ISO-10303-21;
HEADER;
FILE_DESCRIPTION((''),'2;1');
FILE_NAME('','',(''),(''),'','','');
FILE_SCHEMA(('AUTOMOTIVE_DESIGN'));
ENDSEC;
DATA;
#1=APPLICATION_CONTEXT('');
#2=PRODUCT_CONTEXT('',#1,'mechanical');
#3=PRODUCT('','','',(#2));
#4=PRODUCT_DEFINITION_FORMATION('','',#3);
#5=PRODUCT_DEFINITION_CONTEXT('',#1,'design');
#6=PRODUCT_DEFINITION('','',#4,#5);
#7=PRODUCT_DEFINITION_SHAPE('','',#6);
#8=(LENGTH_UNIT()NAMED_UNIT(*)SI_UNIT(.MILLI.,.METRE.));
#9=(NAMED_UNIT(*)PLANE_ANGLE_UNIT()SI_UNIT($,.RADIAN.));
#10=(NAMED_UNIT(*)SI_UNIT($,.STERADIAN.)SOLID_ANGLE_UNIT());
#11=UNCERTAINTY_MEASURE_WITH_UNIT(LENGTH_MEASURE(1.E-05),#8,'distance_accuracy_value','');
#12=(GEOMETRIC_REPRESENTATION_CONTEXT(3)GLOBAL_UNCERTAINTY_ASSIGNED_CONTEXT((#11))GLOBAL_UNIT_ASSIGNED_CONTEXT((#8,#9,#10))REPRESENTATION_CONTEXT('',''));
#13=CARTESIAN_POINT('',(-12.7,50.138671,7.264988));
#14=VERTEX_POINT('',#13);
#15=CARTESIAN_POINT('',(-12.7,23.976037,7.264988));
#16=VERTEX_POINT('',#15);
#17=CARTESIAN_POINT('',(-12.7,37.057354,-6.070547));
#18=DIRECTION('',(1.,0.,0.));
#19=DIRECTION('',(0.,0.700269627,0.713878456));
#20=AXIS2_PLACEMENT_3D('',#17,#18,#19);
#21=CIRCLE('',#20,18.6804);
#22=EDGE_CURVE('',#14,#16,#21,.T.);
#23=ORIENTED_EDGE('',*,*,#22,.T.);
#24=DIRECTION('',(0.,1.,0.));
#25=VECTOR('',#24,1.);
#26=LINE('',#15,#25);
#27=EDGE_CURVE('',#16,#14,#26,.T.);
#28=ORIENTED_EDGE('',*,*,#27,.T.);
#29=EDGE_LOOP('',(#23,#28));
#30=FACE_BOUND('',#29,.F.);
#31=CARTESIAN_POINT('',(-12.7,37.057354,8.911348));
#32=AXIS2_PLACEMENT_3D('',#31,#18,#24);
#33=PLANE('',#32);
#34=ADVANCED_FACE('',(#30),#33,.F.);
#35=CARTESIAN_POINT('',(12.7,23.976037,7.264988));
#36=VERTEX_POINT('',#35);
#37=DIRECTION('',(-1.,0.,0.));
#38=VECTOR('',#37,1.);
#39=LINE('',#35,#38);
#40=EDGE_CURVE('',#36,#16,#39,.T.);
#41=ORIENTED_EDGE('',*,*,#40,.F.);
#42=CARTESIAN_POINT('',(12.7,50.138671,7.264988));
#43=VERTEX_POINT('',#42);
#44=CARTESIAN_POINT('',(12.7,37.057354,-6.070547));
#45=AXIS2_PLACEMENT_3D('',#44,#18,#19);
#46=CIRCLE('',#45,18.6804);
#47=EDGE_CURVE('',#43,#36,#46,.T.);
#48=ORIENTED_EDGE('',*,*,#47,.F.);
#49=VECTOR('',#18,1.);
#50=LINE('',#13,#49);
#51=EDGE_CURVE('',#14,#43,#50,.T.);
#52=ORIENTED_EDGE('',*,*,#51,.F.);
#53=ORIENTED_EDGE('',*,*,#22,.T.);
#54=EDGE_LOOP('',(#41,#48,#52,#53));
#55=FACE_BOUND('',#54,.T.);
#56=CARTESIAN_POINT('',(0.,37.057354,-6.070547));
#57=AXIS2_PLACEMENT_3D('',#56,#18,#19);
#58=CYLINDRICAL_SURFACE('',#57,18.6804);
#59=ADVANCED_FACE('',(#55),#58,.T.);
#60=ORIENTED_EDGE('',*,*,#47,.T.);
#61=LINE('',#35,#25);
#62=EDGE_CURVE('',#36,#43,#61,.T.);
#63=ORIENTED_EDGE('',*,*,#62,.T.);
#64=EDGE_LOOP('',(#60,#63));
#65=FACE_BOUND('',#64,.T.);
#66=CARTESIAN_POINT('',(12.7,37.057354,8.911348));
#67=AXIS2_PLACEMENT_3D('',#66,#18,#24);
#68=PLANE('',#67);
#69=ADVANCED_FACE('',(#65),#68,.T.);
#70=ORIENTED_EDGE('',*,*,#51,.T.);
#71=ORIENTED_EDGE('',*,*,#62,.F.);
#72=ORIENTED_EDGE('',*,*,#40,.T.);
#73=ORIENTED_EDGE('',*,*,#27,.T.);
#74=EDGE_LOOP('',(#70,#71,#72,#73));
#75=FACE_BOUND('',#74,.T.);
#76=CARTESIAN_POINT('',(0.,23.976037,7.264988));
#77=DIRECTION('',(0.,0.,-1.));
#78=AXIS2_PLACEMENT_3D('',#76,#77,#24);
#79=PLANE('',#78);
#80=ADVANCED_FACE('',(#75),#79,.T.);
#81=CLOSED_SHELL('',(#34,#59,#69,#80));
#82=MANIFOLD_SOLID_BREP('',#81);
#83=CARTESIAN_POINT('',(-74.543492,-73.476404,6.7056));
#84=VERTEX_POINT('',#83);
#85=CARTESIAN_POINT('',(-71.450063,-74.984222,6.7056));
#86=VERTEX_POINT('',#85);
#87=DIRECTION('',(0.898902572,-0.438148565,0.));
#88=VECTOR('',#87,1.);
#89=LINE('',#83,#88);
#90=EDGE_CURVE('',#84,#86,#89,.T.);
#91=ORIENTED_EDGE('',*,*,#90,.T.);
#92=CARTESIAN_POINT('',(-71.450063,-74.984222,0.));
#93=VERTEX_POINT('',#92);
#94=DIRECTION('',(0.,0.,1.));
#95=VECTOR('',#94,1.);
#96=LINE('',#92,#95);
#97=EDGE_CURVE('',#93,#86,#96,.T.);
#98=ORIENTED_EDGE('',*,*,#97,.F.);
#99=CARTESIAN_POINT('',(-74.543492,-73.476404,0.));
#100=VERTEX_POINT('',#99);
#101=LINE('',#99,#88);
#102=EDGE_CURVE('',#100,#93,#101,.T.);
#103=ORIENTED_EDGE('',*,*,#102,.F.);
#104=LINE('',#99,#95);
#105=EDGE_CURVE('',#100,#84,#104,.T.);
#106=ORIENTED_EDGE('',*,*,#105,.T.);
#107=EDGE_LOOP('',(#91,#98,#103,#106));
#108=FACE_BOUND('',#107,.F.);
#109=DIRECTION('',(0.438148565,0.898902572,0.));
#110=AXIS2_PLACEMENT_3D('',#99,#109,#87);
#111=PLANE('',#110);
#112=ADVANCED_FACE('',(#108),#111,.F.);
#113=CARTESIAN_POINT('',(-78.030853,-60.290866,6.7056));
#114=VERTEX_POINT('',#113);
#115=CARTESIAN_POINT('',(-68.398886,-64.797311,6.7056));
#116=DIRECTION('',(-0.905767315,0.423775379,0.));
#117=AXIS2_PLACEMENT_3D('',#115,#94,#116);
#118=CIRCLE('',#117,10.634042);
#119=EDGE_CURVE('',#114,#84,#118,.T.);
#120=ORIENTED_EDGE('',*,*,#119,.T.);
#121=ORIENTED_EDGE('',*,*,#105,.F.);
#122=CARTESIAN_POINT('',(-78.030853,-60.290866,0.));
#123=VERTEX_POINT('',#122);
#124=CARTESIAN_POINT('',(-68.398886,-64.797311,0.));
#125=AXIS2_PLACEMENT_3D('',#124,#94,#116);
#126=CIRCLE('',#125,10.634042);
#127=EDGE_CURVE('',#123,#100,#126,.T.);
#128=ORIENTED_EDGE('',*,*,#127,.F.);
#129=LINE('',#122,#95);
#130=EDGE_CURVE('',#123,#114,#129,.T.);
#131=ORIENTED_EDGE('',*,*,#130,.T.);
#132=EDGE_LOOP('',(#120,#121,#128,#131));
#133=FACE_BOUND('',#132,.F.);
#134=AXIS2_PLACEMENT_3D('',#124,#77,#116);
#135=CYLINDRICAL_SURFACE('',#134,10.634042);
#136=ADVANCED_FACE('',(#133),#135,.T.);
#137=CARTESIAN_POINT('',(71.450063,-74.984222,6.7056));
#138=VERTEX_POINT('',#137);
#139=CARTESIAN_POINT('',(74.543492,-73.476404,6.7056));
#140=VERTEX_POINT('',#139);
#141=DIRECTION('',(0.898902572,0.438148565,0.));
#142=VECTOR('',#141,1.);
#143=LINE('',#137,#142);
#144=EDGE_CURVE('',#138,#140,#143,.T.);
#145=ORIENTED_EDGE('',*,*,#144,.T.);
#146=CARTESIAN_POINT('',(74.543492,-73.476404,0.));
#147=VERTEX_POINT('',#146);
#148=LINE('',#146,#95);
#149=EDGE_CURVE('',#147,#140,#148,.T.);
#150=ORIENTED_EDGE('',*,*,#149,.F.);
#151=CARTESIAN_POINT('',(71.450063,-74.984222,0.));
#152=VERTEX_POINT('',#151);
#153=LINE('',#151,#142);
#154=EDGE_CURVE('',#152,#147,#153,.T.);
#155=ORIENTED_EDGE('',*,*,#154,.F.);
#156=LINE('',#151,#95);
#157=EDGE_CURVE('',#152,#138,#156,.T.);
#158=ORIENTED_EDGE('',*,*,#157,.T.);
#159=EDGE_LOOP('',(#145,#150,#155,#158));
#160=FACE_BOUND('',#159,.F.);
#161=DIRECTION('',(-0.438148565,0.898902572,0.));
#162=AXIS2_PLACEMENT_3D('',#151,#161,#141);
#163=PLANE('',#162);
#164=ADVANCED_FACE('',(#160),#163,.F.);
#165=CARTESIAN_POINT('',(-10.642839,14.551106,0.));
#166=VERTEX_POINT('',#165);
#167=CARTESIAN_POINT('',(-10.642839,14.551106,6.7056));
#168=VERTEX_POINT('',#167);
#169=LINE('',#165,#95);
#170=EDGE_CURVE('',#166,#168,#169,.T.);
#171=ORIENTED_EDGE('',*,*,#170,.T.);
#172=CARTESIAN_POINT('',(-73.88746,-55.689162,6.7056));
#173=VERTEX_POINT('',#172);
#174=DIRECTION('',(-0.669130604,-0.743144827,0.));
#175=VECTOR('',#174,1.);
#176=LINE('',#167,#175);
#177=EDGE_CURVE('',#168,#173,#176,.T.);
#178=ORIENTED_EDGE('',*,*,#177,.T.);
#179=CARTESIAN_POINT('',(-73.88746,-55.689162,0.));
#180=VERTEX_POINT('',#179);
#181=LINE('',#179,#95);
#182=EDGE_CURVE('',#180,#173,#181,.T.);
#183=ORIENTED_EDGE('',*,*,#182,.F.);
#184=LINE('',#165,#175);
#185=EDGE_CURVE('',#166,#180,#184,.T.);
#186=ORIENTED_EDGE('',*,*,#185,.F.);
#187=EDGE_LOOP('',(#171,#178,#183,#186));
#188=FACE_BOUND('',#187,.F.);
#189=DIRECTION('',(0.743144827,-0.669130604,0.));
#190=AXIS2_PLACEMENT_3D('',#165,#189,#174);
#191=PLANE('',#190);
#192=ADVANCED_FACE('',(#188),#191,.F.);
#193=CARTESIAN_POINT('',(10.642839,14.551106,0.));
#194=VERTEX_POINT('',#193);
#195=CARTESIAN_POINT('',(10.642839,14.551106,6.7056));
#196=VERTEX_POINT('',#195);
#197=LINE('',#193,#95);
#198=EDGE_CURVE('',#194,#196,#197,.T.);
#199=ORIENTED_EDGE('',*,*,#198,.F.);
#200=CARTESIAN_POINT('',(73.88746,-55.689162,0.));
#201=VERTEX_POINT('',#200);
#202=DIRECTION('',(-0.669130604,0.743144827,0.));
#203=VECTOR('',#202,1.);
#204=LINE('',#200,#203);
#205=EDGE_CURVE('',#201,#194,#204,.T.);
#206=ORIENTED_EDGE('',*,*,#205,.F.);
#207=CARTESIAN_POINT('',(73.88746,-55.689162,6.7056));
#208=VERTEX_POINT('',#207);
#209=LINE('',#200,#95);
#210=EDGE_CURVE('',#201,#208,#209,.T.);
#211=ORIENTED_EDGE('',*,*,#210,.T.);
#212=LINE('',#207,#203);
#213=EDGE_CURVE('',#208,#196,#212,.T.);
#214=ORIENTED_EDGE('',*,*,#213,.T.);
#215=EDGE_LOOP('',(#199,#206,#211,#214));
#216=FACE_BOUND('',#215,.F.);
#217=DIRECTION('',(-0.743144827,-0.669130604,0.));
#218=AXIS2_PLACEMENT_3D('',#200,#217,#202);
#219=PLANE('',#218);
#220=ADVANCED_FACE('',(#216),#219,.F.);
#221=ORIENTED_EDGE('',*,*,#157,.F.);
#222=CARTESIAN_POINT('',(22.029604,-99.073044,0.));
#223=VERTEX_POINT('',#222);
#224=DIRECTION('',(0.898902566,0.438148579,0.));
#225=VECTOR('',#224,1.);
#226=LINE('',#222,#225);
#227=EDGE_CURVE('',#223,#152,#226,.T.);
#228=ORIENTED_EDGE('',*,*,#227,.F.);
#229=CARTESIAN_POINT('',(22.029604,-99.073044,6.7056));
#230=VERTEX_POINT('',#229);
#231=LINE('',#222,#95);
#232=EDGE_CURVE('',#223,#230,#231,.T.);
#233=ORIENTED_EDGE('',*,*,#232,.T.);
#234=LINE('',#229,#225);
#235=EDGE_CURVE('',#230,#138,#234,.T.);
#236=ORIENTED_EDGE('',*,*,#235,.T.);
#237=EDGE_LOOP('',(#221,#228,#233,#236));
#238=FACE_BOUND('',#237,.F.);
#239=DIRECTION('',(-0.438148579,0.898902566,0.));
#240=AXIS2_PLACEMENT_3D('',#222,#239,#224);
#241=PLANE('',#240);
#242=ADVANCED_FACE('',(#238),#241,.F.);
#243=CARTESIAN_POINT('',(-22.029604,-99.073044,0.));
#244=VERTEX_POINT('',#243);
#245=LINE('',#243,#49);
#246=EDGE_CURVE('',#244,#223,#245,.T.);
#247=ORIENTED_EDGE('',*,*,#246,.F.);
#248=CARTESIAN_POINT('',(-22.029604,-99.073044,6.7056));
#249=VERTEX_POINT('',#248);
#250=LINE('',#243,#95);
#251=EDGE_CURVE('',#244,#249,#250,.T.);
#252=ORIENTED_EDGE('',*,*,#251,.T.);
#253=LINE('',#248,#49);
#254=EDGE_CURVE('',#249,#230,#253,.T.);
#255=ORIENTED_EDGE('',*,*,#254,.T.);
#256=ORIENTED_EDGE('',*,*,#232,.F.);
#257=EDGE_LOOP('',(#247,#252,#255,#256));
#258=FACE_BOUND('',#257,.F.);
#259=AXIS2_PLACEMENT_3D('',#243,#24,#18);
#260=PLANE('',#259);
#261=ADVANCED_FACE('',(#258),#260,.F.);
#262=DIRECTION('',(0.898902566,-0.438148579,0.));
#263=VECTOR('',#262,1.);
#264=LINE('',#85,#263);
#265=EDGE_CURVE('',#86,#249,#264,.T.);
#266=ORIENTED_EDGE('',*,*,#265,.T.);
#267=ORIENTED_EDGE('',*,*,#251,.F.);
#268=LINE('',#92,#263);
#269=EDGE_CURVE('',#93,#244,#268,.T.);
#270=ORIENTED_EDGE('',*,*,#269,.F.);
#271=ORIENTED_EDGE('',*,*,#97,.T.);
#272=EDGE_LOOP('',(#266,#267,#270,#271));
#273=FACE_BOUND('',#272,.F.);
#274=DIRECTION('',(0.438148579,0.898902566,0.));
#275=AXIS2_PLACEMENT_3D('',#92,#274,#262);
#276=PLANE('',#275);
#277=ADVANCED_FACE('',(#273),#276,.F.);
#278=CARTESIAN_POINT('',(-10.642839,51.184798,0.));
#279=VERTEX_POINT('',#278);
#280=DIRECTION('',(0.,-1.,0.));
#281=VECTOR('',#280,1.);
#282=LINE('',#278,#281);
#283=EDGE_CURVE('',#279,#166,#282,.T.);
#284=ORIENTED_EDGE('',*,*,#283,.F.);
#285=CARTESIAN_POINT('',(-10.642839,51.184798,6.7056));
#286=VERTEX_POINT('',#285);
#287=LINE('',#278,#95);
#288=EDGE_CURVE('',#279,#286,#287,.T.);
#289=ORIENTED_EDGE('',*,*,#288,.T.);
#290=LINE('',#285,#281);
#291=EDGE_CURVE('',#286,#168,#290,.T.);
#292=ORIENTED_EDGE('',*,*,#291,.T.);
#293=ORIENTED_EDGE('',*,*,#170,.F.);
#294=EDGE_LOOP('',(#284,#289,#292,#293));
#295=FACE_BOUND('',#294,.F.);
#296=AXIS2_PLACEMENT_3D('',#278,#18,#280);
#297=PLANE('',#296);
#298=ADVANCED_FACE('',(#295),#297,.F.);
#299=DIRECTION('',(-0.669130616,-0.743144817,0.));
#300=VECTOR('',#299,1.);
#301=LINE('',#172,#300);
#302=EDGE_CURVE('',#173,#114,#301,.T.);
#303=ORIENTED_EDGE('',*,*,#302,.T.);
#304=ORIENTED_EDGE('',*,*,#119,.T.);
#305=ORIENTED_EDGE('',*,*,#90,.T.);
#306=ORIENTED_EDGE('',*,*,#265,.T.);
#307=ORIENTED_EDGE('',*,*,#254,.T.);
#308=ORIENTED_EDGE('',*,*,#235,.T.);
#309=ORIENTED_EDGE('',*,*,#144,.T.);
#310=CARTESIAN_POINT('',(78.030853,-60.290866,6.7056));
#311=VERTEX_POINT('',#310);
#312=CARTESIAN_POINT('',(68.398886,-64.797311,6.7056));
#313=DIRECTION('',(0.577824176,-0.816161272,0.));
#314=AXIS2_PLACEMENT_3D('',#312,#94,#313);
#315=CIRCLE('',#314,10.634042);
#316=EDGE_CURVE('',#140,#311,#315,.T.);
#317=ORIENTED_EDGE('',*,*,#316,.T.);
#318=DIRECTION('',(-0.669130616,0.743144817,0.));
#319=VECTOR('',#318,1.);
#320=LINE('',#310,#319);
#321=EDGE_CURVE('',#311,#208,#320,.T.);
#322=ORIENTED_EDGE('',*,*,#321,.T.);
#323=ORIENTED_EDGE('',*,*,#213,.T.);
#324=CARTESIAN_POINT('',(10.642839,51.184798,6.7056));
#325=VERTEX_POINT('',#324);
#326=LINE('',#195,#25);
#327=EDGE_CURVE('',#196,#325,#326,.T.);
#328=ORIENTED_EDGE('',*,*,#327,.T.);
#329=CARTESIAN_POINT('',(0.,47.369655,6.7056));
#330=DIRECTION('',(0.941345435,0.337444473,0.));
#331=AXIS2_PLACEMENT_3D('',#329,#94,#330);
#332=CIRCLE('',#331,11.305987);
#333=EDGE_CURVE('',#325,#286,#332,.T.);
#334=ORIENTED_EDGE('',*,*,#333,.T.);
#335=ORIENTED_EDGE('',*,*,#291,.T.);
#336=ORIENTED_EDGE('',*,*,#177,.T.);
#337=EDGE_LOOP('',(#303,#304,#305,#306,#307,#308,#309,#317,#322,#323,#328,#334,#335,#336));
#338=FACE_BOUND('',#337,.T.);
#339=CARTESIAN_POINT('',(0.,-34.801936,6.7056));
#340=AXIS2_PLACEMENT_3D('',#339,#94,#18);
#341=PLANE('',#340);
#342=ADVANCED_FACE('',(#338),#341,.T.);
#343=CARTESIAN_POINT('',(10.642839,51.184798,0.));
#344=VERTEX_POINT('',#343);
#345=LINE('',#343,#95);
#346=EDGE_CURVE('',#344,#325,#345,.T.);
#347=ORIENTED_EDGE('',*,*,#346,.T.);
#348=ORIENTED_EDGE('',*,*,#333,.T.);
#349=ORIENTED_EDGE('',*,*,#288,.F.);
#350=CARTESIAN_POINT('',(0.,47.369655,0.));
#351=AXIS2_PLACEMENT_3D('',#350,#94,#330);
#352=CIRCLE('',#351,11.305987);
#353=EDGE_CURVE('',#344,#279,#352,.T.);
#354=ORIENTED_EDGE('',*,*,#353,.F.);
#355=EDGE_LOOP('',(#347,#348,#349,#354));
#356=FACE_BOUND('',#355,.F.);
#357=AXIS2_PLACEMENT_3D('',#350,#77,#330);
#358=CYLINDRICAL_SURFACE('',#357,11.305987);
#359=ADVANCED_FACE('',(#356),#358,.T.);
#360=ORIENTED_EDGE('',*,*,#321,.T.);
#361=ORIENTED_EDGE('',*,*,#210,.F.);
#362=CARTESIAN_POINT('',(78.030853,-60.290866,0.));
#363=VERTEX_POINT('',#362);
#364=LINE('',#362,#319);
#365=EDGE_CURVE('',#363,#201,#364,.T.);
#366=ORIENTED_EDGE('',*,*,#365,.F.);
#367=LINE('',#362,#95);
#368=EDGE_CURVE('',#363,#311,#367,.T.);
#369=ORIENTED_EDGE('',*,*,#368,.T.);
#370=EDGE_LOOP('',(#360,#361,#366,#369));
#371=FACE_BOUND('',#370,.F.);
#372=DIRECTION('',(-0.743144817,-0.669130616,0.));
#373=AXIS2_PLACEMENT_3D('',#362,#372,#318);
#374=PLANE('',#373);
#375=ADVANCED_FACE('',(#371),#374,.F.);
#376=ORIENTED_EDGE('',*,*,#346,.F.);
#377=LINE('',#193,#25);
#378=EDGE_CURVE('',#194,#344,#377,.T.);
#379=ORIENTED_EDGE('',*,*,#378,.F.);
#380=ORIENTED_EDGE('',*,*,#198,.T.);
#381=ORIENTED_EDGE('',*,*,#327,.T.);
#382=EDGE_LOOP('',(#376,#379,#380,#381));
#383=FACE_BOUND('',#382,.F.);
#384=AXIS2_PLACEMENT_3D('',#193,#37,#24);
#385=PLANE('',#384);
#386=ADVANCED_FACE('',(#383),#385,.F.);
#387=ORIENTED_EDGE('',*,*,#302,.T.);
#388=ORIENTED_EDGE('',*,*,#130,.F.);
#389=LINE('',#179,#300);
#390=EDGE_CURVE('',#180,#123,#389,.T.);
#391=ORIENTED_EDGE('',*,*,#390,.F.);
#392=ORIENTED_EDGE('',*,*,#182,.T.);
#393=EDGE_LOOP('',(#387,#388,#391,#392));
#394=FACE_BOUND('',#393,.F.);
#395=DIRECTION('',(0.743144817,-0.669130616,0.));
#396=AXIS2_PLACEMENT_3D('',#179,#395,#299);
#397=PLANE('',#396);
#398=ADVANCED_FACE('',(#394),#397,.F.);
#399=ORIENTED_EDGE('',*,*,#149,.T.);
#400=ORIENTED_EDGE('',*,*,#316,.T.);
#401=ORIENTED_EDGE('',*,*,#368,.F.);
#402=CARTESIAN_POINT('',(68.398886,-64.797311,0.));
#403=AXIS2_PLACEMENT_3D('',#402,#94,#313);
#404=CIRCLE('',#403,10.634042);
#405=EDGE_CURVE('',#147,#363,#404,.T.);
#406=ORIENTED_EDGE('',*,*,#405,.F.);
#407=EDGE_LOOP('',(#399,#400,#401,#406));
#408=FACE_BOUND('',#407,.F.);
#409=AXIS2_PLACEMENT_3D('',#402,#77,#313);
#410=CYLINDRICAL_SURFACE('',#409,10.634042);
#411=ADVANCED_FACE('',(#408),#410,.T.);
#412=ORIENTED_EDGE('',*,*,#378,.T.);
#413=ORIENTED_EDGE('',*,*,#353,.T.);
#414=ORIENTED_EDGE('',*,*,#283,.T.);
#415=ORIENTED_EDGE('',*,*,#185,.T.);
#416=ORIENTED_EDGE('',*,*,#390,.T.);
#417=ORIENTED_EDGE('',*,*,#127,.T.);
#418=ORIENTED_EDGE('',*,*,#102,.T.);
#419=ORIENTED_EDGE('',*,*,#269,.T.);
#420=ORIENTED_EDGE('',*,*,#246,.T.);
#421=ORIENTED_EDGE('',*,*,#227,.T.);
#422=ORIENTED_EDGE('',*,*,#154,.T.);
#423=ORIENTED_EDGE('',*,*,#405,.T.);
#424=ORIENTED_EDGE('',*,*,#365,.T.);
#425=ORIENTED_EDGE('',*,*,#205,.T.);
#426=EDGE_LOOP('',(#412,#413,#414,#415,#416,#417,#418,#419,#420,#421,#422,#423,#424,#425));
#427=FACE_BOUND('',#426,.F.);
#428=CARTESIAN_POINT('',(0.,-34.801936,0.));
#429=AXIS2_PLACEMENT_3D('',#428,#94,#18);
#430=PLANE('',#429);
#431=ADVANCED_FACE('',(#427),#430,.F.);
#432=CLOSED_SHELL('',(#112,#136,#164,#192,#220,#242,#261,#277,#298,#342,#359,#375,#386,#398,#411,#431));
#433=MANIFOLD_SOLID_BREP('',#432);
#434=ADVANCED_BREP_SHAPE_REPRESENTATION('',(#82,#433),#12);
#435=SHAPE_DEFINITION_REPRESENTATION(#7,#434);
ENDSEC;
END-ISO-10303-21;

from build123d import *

# Parameters (mm, degrees)
F1_DEPTH = 6.7056
F3_DEPTH = 12.7


with BuildPart() as f1:
    # F0 (on Top) → F1 (new body)
    with BuildSketch(Plane.XY):
        with BuildLine():
            ThreePointArc((10.642839, 51.184798), (0, 58.675642), (-10.642839, 51.184798))
            Line((-10.642839, 51.184798), (-10.642839, 14.551106))
            Line((-10.642839, 14.551106), (-73.88746, -55.689162))
            Line((-73.88746, -55.689162), (-78.030853, -60.290866))
            ThreePointArc((-78.030853, -60.290866), (-78.679434, -67.516349), (-74.543492, -73.476404))
            Line((-74.543492, -73.476404), (-71.450063, -74.984222))
            Line((-71.450063, -74.984222), (-22.029604, -99.073044))
            Line((-22.029604, -99.073044), (0, -99.073044))
            Line((0, -99.073044), (22.029604, -99.073044))
            Line((22.029604, -99.073044), (71.450063, -74.984222))
            Line((71.450063, -74.984222), (74.543492, -73.476404))
            ThreePointArc((74.543492, -73.476404), (78.679434, -67.516349), (78.030853, -60.290866))
            Line((78.030853, -60.290866), (73.88746, -55.689162))
            Line((73.88746, -55.689162), (10.642839, 14.551106))
            Line((10.642839, 14.551106), (10.642839, 51.184798))
        make_face()
    extrude(amount=F1_DEPTH)


with BuildPart() as f3:
    # F2 (on Right) → F3 (new body, symmetric)
    with BuildSketch(Plane.YZ):
        with BuildLine():
            Line((23.976037, 7.264988), (50.138671, 7.264988))
            ThreePointArc((50.138671, 7.264988), (37.057354, 12.609853), (23.976037, 7.264988))
        make_face()
    extrude(amount=F3_DEPTH, both=True)


solid = Compound([f1.part, f3.part])
